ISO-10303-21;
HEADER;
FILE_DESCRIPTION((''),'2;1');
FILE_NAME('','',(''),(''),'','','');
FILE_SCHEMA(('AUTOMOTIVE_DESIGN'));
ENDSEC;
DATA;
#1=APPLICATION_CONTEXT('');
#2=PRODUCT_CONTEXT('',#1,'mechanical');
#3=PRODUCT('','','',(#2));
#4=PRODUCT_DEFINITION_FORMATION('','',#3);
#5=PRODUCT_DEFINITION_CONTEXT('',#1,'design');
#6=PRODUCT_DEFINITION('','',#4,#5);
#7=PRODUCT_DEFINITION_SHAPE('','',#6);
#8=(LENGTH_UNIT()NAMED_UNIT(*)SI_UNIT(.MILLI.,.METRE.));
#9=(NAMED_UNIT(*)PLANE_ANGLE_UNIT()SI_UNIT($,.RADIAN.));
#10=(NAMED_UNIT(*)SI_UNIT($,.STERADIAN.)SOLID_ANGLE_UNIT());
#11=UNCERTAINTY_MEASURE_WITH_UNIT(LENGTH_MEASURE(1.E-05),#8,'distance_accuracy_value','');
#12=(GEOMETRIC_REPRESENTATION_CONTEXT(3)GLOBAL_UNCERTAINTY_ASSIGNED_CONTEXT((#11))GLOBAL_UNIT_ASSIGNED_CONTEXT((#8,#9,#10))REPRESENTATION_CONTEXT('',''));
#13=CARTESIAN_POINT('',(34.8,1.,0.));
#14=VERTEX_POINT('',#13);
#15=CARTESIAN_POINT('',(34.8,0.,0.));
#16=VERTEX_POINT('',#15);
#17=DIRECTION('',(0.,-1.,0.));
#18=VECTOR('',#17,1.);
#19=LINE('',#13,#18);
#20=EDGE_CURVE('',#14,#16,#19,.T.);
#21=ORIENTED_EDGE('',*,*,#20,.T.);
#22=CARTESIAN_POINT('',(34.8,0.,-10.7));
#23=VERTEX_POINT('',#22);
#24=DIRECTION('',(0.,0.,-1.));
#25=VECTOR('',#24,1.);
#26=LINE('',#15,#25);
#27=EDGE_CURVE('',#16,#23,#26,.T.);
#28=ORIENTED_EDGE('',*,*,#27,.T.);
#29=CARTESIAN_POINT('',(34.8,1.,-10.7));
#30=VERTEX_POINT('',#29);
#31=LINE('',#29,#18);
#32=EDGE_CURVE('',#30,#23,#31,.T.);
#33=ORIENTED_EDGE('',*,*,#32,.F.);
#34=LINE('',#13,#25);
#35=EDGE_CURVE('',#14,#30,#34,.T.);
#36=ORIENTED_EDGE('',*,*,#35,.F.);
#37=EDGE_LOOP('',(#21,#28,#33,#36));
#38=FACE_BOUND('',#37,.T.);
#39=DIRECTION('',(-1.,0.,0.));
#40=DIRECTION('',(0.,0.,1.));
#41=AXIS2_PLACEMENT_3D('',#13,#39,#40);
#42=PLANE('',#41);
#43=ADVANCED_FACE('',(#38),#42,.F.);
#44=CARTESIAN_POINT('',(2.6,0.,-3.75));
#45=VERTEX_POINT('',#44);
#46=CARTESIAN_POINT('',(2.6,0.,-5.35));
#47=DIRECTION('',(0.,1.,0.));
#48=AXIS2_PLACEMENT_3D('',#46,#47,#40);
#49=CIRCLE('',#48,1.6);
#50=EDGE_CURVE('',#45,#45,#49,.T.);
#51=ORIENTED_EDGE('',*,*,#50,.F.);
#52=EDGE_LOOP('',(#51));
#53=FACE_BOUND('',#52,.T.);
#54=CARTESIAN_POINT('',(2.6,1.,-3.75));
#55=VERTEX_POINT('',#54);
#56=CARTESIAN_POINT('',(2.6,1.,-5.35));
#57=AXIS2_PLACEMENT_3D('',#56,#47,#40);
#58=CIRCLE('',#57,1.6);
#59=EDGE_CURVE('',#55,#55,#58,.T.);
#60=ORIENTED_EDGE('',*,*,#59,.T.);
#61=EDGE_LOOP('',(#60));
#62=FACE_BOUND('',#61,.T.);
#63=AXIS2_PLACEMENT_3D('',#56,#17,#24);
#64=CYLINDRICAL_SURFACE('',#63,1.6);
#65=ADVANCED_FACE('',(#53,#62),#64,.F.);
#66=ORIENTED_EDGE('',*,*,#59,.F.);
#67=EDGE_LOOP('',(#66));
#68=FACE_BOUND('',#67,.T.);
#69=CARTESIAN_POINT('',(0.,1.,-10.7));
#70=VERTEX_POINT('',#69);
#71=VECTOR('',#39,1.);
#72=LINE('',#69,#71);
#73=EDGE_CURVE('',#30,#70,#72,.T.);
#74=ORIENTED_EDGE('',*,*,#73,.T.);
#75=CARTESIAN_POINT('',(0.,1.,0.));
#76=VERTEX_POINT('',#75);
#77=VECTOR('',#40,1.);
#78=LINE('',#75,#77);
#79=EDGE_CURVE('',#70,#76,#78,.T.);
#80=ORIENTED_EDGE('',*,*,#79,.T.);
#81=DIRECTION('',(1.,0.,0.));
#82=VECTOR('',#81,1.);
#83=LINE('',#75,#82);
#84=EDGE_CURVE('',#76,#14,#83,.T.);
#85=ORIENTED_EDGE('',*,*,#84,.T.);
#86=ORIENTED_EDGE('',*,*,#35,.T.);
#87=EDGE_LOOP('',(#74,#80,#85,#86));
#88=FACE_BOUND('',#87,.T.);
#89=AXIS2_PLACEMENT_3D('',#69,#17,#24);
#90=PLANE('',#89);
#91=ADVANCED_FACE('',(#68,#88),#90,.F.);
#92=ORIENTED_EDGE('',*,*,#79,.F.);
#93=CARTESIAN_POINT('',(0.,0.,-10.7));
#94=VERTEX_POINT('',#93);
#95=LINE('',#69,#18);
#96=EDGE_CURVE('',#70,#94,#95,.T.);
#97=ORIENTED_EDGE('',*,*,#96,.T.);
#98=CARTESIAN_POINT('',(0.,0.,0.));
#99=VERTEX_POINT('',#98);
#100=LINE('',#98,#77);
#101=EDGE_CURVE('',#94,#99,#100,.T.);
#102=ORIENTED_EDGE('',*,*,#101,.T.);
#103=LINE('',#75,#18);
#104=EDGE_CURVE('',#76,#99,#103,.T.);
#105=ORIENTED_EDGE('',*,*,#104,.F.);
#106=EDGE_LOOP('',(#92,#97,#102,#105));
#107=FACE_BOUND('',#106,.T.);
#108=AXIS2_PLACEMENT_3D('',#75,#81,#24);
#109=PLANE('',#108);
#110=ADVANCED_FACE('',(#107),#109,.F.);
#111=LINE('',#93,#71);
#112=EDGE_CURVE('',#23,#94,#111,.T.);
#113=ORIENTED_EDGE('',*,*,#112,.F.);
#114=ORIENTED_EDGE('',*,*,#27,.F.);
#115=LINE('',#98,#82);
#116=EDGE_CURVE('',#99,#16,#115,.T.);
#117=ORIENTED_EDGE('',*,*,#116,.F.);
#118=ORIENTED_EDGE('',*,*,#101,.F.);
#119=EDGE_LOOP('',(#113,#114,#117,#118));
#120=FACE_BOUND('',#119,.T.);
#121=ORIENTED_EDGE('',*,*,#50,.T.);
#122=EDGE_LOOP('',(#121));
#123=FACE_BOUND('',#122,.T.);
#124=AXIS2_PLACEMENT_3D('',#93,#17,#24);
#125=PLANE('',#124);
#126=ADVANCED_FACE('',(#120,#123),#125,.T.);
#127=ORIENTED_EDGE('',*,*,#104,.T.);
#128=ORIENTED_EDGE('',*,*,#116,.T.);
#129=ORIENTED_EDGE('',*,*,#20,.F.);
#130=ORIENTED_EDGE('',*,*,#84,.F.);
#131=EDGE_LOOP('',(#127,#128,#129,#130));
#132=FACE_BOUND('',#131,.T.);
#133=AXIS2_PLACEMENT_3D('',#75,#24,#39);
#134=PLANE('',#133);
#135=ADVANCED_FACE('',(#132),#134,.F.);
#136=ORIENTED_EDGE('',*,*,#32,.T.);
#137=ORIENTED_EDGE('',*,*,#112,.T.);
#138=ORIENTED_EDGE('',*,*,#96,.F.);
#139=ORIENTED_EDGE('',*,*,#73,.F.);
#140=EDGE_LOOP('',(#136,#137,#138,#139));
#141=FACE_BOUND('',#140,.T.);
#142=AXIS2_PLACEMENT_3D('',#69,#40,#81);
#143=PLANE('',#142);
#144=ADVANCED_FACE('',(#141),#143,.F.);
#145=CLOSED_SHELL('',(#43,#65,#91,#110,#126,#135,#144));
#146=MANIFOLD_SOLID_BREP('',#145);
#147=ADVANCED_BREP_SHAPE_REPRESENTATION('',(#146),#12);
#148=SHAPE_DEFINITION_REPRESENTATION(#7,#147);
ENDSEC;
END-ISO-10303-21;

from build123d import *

# Parameters (mm, degrees)
SKETCH1_W           = 34.8
SKETCH1_H           = 10.7
SKETCH1_R           = 1.6
BOSS_EXTRUDE1_DEPTH = 1


with BuildPart() as part:
    # Sketch1 → Boss-Extrude1 (new body)
    with BuildSketch(Plane(origin=(0, 0, 0), x_dir=(1, 0, 0), z_dir=(0, 1, 0))):
        with Locations((17.4, 5.35)):
            Rectangle(SKETCH1_W, SKETCH1_H)
        with Locations(Location((2.6, 5.35, 0), (0, 0, 270))):
            Circle(SKETCH1_R, mode=Mode.SUBTRACT)
    extrude(amount=BOSS_EXTRUDE1_DEPTH)


solid = part.part
